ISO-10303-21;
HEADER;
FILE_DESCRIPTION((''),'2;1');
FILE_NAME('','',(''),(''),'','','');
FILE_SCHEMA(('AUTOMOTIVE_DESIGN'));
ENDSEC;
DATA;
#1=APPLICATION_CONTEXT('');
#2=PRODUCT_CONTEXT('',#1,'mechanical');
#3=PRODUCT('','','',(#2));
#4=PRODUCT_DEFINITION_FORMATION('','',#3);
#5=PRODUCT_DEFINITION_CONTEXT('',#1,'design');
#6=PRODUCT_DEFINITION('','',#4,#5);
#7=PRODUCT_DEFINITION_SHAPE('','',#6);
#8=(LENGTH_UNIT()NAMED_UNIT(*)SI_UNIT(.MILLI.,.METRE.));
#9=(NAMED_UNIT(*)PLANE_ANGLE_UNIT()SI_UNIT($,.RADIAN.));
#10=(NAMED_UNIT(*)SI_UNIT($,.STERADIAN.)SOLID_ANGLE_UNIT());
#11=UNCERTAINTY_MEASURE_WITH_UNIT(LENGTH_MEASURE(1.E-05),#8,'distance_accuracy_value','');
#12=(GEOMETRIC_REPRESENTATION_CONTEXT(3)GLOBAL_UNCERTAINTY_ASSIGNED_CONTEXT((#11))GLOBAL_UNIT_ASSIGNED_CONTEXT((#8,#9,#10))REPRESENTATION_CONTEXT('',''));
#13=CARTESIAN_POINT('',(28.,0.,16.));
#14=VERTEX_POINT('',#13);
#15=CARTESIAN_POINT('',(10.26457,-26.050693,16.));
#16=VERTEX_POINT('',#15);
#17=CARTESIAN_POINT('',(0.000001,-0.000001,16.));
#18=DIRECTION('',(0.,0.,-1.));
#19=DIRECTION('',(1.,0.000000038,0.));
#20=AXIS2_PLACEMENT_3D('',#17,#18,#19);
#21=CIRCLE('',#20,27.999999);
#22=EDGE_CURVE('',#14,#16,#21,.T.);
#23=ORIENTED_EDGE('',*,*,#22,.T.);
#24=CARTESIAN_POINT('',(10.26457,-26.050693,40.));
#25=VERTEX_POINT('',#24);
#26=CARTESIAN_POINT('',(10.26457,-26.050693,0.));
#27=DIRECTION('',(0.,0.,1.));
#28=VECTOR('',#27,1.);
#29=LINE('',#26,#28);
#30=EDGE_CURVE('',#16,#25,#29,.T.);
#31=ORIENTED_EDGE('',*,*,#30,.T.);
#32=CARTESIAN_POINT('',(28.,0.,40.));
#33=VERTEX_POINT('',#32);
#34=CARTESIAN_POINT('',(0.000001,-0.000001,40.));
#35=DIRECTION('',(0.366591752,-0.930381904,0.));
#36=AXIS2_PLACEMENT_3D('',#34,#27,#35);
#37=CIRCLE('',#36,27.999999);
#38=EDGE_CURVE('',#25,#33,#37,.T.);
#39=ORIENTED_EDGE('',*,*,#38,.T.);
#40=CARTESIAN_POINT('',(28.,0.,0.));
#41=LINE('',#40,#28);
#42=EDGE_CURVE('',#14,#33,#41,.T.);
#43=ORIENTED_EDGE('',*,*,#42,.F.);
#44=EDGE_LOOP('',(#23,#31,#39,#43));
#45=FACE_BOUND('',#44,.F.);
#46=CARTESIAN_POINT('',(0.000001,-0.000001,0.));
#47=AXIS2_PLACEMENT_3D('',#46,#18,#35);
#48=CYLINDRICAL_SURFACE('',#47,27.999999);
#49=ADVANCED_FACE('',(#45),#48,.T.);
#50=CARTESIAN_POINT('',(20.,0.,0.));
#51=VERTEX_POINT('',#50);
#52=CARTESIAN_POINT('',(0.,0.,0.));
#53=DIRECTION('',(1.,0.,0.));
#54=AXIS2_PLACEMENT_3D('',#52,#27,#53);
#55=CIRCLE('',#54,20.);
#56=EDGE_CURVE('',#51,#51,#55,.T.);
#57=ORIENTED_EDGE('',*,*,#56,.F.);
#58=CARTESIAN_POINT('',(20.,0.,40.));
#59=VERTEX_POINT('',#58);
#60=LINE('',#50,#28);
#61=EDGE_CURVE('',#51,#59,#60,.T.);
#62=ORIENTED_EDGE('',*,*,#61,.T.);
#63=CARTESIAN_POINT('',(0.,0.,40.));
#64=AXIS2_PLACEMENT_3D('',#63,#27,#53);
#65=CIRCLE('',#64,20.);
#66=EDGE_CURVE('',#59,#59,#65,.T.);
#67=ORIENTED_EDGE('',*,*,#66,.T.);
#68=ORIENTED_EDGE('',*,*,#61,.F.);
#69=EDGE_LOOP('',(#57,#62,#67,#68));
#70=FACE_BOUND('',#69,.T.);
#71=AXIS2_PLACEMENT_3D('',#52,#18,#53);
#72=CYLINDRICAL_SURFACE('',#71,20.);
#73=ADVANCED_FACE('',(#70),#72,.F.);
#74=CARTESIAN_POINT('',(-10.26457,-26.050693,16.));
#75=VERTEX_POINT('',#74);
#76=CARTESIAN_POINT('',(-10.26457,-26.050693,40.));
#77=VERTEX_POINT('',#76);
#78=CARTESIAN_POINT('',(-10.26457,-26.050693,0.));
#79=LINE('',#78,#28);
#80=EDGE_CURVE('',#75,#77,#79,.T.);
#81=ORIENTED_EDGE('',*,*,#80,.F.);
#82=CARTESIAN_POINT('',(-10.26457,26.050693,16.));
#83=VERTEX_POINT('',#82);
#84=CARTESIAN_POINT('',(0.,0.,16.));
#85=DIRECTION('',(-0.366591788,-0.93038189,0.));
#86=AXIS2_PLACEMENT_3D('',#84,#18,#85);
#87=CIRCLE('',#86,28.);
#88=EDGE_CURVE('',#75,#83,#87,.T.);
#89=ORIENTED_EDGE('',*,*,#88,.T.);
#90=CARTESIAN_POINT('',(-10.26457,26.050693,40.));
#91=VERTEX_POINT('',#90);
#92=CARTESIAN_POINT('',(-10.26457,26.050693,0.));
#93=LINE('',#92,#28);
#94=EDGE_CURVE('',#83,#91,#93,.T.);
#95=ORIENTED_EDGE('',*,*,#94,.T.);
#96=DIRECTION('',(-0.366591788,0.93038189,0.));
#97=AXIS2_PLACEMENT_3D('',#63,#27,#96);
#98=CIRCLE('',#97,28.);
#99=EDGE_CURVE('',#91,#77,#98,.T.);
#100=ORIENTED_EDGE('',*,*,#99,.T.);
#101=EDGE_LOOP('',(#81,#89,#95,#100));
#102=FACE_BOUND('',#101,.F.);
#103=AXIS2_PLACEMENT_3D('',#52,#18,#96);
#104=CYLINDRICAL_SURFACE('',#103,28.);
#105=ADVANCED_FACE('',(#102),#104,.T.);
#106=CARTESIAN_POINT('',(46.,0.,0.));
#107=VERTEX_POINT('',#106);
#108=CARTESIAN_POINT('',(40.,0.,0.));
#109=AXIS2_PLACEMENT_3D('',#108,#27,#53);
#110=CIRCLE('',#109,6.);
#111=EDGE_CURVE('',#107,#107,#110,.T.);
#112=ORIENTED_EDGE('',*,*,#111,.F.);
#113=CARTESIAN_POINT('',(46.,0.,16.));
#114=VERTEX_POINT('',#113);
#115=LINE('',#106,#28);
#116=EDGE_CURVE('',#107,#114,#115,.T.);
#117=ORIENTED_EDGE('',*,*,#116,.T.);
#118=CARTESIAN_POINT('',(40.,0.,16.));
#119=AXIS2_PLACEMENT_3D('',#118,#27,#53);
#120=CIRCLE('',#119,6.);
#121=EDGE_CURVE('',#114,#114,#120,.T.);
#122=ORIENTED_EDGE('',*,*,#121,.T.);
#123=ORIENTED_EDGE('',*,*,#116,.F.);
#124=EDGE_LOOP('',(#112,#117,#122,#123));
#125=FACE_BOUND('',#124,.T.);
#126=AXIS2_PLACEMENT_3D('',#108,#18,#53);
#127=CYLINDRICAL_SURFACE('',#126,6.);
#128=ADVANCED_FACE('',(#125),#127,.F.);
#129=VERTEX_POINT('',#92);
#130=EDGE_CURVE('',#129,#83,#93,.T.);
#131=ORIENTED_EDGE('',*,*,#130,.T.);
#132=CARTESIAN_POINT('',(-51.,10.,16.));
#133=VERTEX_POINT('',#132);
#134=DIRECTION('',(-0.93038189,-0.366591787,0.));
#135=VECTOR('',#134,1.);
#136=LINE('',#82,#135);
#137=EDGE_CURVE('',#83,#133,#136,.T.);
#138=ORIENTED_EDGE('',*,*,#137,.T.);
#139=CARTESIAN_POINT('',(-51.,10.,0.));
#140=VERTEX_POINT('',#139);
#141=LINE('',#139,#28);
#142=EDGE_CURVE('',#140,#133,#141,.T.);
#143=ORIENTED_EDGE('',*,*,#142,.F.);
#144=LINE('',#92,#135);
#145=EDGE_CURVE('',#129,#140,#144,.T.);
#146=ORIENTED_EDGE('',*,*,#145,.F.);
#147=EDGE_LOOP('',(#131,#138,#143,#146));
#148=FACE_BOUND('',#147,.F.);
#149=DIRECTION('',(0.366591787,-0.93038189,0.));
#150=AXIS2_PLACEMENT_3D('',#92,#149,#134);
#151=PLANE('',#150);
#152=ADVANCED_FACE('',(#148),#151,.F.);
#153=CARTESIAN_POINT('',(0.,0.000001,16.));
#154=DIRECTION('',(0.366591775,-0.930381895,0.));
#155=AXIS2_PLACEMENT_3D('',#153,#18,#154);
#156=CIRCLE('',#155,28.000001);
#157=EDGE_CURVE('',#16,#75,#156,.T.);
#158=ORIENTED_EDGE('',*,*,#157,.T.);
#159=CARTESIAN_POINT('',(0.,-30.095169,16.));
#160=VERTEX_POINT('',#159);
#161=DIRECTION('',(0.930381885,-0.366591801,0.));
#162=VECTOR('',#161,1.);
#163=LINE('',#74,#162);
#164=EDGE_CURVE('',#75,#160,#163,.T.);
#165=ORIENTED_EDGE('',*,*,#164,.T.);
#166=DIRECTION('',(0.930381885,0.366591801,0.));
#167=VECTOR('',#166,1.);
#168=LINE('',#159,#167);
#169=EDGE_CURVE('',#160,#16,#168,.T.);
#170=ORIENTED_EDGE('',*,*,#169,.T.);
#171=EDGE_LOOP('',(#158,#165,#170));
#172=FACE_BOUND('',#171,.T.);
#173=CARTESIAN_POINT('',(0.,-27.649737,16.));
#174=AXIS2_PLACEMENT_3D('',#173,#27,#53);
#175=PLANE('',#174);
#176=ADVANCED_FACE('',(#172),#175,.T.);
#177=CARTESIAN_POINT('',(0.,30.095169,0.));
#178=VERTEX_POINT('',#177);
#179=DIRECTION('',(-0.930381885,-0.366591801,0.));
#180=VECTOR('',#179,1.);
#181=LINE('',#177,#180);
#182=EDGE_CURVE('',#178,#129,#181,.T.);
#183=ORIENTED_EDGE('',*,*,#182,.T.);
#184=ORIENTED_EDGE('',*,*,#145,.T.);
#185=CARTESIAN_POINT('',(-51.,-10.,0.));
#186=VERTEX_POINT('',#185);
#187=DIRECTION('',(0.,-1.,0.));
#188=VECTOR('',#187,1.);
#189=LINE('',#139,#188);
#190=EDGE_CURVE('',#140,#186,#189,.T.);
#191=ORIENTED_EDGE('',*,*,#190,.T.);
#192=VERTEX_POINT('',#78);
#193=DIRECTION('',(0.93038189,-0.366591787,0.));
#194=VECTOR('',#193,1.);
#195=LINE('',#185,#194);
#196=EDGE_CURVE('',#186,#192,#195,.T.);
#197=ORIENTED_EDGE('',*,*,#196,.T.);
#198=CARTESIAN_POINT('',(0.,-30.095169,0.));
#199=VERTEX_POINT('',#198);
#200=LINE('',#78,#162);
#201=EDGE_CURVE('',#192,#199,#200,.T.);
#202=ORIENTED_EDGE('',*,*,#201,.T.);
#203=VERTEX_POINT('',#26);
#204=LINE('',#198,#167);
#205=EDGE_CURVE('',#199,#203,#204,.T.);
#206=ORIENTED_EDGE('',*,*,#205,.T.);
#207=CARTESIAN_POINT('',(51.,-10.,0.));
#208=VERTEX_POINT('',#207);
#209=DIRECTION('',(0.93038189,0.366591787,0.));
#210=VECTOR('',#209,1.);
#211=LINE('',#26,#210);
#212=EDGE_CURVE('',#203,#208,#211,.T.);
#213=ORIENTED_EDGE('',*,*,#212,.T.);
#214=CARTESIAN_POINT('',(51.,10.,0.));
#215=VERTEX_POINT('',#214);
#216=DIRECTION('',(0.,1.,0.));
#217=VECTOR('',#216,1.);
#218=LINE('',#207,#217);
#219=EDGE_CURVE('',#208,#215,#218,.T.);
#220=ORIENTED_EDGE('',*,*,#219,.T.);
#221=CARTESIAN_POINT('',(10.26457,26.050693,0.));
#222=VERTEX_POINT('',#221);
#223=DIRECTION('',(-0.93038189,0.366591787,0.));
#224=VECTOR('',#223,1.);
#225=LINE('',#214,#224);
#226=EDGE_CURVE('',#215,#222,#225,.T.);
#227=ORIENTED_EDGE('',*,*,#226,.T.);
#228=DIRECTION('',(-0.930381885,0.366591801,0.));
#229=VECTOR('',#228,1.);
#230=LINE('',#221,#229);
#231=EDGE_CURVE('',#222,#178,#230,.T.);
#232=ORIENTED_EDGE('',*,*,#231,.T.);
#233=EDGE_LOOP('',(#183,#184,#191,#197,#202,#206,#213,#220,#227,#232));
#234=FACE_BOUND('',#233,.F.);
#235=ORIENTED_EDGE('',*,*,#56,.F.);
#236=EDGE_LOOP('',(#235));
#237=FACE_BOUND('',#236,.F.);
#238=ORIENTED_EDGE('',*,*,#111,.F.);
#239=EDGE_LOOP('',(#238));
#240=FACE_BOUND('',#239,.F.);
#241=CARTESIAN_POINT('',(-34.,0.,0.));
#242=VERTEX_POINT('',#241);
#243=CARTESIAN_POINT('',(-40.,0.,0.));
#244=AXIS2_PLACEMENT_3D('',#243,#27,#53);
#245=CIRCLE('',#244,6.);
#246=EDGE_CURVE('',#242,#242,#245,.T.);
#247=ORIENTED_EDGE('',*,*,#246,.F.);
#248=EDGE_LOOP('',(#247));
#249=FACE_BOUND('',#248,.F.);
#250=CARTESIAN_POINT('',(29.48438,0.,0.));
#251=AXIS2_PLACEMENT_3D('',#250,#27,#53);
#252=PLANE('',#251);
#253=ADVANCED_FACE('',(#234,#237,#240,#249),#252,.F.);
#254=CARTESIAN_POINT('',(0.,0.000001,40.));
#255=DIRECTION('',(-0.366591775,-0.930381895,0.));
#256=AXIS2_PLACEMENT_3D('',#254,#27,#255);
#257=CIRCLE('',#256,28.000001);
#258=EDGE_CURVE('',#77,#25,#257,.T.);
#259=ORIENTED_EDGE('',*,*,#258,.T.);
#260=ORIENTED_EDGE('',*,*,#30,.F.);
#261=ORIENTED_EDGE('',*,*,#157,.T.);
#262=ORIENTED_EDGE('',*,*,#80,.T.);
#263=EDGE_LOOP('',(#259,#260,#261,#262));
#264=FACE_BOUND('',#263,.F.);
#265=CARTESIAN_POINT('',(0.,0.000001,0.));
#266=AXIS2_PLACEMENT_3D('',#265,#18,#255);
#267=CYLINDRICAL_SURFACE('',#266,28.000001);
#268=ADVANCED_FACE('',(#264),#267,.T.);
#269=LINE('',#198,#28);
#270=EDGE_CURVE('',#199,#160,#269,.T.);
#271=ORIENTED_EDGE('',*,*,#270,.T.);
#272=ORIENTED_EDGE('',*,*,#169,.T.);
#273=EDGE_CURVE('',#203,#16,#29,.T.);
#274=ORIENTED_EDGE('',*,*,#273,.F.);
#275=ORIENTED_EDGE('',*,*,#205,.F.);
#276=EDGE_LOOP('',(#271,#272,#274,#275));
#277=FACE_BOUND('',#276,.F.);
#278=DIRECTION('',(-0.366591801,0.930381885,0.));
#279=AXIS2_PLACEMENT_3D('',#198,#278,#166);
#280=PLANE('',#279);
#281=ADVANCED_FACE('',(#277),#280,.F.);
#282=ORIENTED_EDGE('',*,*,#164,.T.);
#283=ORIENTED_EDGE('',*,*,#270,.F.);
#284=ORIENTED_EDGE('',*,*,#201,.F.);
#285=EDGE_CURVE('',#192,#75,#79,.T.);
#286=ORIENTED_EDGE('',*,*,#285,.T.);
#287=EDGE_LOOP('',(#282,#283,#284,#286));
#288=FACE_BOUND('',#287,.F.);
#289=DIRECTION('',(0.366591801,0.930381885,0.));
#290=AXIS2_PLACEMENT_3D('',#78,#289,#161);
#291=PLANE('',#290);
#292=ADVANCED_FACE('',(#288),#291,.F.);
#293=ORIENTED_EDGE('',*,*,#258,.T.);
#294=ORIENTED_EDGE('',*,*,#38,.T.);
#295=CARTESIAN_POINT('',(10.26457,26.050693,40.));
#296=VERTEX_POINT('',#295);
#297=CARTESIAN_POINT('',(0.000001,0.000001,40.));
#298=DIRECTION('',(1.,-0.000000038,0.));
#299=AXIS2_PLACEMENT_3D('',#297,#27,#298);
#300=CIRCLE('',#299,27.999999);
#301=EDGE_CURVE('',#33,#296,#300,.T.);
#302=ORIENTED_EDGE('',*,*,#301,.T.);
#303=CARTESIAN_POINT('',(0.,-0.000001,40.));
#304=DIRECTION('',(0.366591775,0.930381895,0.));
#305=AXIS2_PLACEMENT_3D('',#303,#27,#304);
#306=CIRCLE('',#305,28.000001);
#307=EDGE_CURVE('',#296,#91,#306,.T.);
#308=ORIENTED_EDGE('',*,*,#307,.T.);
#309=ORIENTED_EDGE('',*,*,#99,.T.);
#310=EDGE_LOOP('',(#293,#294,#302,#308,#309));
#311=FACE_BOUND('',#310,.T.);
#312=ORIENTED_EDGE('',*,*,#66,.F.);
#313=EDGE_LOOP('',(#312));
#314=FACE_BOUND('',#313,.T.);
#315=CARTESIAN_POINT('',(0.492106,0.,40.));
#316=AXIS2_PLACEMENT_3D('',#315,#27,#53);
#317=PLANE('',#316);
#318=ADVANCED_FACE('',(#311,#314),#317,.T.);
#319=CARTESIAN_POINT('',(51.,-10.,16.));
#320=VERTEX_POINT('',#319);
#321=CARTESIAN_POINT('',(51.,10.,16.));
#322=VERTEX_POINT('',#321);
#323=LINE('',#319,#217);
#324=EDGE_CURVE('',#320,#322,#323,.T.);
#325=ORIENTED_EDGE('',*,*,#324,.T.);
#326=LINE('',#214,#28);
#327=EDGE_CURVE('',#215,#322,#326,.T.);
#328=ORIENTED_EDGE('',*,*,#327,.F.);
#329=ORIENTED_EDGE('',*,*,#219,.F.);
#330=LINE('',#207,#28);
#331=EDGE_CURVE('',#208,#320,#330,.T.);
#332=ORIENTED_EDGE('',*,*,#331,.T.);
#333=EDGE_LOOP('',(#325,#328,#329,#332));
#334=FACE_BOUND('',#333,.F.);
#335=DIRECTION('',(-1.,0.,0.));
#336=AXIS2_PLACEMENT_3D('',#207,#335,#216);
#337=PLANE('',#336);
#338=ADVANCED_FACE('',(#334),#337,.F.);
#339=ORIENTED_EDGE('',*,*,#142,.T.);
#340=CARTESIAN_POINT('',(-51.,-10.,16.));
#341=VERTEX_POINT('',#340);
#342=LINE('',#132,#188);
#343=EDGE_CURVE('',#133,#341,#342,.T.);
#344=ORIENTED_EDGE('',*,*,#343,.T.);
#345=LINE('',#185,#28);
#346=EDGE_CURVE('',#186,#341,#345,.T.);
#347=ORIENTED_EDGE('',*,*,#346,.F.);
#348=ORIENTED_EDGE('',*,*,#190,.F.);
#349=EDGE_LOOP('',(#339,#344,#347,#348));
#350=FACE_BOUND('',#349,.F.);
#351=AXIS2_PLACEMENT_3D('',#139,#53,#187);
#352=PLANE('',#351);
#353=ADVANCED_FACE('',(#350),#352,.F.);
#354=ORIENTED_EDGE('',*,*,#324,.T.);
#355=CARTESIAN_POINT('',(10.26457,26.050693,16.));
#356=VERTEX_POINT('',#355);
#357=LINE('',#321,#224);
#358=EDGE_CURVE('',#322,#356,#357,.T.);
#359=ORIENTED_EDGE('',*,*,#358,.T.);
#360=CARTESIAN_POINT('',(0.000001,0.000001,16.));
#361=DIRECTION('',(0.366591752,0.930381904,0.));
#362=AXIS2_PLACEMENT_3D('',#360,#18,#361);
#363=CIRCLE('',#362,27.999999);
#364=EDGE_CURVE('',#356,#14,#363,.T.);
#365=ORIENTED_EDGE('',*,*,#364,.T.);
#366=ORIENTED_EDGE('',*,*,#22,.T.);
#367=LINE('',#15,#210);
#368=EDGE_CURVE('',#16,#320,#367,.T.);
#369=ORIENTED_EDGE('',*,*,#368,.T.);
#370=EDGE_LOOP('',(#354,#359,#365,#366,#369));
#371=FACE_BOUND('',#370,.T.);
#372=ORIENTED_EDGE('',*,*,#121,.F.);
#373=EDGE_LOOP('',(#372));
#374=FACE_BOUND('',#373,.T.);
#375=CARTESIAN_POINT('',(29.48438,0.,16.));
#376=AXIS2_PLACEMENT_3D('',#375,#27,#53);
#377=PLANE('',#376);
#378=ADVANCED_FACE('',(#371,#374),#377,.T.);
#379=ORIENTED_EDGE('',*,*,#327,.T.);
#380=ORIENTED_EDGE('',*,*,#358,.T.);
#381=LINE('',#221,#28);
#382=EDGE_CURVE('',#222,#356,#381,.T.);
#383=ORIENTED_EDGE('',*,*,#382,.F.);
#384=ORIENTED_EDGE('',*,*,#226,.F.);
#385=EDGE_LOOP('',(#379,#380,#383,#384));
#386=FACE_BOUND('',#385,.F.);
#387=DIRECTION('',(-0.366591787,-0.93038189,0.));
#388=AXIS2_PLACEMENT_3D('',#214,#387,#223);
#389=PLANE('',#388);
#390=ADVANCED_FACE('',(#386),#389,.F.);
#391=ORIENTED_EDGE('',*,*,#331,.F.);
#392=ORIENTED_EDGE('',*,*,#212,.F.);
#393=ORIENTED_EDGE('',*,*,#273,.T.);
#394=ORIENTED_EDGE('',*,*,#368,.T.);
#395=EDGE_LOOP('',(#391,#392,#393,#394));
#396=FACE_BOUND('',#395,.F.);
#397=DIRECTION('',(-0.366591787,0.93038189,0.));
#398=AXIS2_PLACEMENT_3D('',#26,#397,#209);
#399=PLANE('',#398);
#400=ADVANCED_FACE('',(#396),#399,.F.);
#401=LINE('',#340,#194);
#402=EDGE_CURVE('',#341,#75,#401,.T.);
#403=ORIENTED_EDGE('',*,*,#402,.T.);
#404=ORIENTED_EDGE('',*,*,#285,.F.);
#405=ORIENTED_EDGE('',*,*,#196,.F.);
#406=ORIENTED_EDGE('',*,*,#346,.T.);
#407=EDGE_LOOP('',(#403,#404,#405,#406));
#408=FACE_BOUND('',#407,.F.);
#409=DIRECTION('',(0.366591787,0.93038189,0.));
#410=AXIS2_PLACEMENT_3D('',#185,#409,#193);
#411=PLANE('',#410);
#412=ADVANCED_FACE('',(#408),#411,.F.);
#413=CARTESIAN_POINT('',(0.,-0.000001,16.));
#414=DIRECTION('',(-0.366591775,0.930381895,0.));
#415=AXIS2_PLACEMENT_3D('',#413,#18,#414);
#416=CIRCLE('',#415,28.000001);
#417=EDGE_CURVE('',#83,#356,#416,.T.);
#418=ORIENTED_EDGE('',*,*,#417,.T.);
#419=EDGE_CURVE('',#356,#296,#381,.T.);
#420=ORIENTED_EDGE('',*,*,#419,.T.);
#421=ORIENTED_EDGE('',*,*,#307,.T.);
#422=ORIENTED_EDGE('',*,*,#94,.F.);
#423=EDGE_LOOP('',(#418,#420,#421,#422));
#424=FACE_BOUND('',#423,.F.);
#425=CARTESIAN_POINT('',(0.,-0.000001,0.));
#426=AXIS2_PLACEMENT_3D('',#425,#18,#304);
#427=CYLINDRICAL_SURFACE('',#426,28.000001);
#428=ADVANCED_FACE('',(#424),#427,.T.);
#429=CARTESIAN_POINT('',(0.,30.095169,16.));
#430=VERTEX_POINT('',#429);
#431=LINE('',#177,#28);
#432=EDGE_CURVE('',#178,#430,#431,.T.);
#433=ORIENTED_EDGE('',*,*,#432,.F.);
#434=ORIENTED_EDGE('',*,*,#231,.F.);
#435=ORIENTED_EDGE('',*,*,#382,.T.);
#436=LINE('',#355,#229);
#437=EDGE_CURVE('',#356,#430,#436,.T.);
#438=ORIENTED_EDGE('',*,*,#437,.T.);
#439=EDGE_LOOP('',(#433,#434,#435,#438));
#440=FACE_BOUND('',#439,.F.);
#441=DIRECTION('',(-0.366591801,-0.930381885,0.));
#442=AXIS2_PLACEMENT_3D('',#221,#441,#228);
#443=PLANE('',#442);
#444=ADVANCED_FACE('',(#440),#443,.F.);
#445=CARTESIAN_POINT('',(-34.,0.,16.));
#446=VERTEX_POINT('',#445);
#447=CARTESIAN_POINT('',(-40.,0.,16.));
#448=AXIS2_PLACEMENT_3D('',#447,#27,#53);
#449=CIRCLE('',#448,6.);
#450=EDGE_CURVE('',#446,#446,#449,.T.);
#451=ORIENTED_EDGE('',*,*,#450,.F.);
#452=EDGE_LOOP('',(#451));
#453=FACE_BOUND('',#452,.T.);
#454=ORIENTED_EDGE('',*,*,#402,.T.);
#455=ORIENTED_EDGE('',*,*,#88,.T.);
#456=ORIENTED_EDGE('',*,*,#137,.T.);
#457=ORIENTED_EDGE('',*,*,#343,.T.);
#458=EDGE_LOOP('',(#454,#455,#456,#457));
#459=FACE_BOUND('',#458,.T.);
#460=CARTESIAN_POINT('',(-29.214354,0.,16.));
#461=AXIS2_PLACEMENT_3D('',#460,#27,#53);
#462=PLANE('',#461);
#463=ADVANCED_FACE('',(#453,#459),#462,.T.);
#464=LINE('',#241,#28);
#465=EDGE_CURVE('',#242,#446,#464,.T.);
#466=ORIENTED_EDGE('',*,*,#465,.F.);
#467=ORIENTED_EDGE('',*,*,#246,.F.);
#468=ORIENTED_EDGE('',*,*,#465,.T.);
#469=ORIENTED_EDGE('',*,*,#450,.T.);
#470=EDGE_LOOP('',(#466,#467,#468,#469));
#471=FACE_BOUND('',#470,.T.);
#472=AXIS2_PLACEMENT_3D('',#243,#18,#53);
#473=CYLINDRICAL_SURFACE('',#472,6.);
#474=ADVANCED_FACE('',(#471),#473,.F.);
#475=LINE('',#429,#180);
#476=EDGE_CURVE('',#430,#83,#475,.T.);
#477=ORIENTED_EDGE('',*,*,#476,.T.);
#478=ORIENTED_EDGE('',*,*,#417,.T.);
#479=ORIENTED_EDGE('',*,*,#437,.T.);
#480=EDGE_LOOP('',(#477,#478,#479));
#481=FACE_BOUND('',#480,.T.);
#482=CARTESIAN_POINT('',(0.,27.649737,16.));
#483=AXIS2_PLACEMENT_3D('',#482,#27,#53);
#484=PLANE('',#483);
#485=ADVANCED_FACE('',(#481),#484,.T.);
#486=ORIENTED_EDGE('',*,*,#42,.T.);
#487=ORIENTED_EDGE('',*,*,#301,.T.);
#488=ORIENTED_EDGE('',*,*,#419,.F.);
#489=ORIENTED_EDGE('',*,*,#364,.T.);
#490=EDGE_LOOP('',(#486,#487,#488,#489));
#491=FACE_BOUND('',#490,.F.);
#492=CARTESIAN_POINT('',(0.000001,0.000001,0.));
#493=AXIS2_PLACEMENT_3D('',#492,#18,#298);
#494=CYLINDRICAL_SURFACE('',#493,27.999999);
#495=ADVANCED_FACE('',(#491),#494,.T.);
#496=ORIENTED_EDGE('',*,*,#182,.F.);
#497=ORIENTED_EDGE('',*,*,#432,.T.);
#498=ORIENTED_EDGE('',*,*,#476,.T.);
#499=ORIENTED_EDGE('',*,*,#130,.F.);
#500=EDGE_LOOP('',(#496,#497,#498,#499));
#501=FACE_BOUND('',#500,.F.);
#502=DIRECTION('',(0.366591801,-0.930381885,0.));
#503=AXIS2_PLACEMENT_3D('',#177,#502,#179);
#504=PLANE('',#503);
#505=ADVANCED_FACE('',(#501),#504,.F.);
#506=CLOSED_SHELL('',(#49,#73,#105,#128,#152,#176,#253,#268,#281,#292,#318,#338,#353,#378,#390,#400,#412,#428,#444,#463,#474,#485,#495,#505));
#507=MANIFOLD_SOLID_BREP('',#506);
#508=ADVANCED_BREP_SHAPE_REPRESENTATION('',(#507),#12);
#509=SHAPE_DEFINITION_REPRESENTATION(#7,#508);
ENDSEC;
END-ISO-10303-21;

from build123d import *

# Parameters (mm, degrees)
F0_R     = 20
F1_DEPTH = 40
F0_R_2   = 6
F2_DEPTH = 16


with BuildPart() as f1:
    # F0 (on Top) → F1 (new body)
    with BuildSketch(Plane.XY):
        with BuildLine():
            ThreePointArc((10.26457, -26.050693), (23.14528, -15.757412), (28, 0))
            ThreePointArc((28, 0), (23.14528, 15.757412), (10.26457, 26.050693))
            ThreePointArc((10.26457, 26.050693), (0, 28), (-10.26457, 26.050693))
            ThreePointArc((-10.26457, 26.050693), (-28, 0), (-10.26457, -26.050693))
            ThreePointArc((-10.26457, -26.050693), (0, -28), (10.26457, -26.050693))
        make_face()
        Circle(F0_R, mode=Mode.SUBTRACT)
    extrude(amount=F1_DEPTH)

    # F0 (on Top) → F2 (join)
    with BuildSketch(Plane.XY):
        with BuildLine():
            ThreePointArc((10.26457, 26.050693), (23.14528, 15.757412), (28, 0))
            ThreePointArc((28, 0), (23.14528, -15.757412), (10.26457, -26.050693))
            Line((10.26457, -26.050693), (51, -10))
            Line((51, -10), (51, 10))
            Line((51, 10), (10.26457, 26.050693))
        make_face()
        with Locations((40, 0)):
            Circle(F0_R_2, mode=Mode.SUBTRACT)
        with BuildLine():
            ThreePointArc((-10.26457, 26.050693), (0, 28), (10.26457, 26.050693))
            Line((10.26457, 26.050693), (0, 30.095169))
            Line((0, 30.095169), (-10.26457, 26.050693))
        make_face()
        with BuildLine():
            Line((0, -30.095169), (10.26457, -26.050693))
            ThreePointArc((10.26457, -26.050693), (0, -28), (-10.26457, -26.050693))
            Line((-10.26457, -26.050693), (0, -30.095169))
        make_face()
        with BuildLine():
            ThreePointArc((-10.26457, -26.050693), (-28, 0), (-10.26457, 26.050693))
            Line((-10.26457, 26.050693), (-51, 10))
            Line((-51, 10), (-51, -10))
            Line((-51, -10), (-10.26457, -26.050693))
        make_face()
        with Locations((-40, 0)):
            Circle(F0_R_2, mode=Mode.SUBTRACT)
    extrude(amount=F2_DEPTH)


solid = f1.part
